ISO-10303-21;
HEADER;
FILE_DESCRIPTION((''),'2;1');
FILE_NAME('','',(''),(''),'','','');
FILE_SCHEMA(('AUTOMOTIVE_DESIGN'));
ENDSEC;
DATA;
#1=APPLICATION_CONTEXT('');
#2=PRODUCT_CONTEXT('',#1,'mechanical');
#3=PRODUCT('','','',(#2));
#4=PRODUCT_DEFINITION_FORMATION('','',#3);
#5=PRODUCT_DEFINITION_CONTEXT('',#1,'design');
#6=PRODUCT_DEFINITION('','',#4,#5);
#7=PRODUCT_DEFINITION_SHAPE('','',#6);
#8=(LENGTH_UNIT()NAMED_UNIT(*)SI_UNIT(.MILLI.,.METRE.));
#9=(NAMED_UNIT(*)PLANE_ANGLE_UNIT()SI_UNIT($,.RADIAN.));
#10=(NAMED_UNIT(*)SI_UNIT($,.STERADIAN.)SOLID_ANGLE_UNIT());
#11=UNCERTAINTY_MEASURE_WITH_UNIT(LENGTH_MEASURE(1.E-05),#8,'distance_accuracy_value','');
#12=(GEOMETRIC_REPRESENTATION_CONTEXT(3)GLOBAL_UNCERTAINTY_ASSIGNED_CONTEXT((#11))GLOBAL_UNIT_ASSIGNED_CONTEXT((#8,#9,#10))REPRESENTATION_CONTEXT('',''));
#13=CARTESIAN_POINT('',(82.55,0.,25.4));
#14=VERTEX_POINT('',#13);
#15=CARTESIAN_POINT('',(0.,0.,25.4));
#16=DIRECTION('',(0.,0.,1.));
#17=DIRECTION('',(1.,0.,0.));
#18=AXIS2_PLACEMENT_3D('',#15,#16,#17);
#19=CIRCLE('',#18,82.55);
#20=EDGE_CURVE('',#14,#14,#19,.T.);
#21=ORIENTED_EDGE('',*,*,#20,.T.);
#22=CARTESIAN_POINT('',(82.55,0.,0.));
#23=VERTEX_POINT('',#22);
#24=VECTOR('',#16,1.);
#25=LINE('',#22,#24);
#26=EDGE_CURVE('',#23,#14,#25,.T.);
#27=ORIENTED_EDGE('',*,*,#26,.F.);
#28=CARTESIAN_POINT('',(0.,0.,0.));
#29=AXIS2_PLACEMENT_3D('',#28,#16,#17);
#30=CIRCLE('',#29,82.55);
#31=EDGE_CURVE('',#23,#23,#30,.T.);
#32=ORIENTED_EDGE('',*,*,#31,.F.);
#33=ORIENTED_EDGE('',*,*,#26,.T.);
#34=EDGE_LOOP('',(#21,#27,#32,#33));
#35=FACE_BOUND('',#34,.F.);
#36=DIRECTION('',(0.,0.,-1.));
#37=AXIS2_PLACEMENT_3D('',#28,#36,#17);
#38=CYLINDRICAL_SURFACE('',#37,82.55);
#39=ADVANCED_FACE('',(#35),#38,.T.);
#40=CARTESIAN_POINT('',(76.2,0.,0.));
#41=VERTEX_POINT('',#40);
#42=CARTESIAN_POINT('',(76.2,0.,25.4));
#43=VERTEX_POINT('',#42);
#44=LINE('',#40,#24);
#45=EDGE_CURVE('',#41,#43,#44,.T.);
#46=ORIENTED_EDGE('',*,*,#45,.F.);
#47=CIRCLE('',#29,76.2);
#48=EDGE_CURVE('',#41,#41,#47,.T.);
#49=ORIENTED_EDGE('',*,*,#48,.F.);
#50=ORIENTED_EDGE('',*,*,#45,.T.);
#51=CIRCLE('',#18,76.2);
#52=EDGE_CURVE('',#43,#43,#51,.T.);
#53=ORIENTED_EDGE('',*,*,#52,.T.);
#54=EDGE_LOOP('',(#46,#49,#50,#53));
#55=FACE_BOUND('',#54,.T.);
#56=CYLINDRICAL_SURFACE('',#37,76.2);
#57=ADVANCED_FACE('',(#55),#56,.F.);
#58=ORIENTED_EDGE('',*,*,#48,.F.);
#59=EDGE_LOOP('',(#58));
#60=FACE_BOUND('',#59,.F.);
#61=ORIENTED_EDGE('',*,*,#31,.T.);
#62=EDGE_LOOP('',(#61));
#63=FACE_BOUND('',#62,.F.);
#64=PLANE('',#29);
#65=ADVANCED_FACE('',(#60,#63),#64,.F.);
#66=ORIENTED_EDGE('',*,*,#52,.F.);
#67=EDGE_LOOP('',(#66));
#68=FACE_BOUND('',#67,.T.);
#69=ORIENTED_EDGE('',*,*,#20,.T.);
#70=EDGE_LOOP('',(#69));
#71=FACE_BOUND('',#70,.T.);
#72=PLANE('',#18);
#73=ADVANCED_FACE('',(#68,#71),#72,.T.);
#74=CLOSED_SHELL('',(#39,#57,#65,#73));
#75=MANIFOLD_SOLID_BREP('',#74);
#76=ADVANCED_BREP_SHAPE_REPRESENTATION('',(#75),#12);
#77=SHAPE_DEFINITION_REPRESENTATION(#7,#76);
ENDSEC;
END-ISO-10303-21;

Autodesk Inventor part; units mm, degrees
ref_plane "YZ Plane" through (0, 0, 0) normal (1, 0, 0) x (0, 1, 0)
ref_plane "XZ Plane" through (0, 0, 0) normal (0, 1, 0) x (-1, 0, 0)
ref_plane "XY Plane" through (0, 0, 0) normal (0, 0, 1) x (1, 0, 0)
sketch "Sketch1" plane through (0, 0, 0) normal (0, 0, 1) x (1, 0, 0)
  circle A0 centre (0, 0) radius 82.55
  circle A1 centre (0, 0) radius 76.2
  dimension "d0" = 165.1
  dimension "d1" = 152.4
extrude "Extrusion1" add sketch "Sketch1" along normal blind 25.4
properties part number "TestRing"
